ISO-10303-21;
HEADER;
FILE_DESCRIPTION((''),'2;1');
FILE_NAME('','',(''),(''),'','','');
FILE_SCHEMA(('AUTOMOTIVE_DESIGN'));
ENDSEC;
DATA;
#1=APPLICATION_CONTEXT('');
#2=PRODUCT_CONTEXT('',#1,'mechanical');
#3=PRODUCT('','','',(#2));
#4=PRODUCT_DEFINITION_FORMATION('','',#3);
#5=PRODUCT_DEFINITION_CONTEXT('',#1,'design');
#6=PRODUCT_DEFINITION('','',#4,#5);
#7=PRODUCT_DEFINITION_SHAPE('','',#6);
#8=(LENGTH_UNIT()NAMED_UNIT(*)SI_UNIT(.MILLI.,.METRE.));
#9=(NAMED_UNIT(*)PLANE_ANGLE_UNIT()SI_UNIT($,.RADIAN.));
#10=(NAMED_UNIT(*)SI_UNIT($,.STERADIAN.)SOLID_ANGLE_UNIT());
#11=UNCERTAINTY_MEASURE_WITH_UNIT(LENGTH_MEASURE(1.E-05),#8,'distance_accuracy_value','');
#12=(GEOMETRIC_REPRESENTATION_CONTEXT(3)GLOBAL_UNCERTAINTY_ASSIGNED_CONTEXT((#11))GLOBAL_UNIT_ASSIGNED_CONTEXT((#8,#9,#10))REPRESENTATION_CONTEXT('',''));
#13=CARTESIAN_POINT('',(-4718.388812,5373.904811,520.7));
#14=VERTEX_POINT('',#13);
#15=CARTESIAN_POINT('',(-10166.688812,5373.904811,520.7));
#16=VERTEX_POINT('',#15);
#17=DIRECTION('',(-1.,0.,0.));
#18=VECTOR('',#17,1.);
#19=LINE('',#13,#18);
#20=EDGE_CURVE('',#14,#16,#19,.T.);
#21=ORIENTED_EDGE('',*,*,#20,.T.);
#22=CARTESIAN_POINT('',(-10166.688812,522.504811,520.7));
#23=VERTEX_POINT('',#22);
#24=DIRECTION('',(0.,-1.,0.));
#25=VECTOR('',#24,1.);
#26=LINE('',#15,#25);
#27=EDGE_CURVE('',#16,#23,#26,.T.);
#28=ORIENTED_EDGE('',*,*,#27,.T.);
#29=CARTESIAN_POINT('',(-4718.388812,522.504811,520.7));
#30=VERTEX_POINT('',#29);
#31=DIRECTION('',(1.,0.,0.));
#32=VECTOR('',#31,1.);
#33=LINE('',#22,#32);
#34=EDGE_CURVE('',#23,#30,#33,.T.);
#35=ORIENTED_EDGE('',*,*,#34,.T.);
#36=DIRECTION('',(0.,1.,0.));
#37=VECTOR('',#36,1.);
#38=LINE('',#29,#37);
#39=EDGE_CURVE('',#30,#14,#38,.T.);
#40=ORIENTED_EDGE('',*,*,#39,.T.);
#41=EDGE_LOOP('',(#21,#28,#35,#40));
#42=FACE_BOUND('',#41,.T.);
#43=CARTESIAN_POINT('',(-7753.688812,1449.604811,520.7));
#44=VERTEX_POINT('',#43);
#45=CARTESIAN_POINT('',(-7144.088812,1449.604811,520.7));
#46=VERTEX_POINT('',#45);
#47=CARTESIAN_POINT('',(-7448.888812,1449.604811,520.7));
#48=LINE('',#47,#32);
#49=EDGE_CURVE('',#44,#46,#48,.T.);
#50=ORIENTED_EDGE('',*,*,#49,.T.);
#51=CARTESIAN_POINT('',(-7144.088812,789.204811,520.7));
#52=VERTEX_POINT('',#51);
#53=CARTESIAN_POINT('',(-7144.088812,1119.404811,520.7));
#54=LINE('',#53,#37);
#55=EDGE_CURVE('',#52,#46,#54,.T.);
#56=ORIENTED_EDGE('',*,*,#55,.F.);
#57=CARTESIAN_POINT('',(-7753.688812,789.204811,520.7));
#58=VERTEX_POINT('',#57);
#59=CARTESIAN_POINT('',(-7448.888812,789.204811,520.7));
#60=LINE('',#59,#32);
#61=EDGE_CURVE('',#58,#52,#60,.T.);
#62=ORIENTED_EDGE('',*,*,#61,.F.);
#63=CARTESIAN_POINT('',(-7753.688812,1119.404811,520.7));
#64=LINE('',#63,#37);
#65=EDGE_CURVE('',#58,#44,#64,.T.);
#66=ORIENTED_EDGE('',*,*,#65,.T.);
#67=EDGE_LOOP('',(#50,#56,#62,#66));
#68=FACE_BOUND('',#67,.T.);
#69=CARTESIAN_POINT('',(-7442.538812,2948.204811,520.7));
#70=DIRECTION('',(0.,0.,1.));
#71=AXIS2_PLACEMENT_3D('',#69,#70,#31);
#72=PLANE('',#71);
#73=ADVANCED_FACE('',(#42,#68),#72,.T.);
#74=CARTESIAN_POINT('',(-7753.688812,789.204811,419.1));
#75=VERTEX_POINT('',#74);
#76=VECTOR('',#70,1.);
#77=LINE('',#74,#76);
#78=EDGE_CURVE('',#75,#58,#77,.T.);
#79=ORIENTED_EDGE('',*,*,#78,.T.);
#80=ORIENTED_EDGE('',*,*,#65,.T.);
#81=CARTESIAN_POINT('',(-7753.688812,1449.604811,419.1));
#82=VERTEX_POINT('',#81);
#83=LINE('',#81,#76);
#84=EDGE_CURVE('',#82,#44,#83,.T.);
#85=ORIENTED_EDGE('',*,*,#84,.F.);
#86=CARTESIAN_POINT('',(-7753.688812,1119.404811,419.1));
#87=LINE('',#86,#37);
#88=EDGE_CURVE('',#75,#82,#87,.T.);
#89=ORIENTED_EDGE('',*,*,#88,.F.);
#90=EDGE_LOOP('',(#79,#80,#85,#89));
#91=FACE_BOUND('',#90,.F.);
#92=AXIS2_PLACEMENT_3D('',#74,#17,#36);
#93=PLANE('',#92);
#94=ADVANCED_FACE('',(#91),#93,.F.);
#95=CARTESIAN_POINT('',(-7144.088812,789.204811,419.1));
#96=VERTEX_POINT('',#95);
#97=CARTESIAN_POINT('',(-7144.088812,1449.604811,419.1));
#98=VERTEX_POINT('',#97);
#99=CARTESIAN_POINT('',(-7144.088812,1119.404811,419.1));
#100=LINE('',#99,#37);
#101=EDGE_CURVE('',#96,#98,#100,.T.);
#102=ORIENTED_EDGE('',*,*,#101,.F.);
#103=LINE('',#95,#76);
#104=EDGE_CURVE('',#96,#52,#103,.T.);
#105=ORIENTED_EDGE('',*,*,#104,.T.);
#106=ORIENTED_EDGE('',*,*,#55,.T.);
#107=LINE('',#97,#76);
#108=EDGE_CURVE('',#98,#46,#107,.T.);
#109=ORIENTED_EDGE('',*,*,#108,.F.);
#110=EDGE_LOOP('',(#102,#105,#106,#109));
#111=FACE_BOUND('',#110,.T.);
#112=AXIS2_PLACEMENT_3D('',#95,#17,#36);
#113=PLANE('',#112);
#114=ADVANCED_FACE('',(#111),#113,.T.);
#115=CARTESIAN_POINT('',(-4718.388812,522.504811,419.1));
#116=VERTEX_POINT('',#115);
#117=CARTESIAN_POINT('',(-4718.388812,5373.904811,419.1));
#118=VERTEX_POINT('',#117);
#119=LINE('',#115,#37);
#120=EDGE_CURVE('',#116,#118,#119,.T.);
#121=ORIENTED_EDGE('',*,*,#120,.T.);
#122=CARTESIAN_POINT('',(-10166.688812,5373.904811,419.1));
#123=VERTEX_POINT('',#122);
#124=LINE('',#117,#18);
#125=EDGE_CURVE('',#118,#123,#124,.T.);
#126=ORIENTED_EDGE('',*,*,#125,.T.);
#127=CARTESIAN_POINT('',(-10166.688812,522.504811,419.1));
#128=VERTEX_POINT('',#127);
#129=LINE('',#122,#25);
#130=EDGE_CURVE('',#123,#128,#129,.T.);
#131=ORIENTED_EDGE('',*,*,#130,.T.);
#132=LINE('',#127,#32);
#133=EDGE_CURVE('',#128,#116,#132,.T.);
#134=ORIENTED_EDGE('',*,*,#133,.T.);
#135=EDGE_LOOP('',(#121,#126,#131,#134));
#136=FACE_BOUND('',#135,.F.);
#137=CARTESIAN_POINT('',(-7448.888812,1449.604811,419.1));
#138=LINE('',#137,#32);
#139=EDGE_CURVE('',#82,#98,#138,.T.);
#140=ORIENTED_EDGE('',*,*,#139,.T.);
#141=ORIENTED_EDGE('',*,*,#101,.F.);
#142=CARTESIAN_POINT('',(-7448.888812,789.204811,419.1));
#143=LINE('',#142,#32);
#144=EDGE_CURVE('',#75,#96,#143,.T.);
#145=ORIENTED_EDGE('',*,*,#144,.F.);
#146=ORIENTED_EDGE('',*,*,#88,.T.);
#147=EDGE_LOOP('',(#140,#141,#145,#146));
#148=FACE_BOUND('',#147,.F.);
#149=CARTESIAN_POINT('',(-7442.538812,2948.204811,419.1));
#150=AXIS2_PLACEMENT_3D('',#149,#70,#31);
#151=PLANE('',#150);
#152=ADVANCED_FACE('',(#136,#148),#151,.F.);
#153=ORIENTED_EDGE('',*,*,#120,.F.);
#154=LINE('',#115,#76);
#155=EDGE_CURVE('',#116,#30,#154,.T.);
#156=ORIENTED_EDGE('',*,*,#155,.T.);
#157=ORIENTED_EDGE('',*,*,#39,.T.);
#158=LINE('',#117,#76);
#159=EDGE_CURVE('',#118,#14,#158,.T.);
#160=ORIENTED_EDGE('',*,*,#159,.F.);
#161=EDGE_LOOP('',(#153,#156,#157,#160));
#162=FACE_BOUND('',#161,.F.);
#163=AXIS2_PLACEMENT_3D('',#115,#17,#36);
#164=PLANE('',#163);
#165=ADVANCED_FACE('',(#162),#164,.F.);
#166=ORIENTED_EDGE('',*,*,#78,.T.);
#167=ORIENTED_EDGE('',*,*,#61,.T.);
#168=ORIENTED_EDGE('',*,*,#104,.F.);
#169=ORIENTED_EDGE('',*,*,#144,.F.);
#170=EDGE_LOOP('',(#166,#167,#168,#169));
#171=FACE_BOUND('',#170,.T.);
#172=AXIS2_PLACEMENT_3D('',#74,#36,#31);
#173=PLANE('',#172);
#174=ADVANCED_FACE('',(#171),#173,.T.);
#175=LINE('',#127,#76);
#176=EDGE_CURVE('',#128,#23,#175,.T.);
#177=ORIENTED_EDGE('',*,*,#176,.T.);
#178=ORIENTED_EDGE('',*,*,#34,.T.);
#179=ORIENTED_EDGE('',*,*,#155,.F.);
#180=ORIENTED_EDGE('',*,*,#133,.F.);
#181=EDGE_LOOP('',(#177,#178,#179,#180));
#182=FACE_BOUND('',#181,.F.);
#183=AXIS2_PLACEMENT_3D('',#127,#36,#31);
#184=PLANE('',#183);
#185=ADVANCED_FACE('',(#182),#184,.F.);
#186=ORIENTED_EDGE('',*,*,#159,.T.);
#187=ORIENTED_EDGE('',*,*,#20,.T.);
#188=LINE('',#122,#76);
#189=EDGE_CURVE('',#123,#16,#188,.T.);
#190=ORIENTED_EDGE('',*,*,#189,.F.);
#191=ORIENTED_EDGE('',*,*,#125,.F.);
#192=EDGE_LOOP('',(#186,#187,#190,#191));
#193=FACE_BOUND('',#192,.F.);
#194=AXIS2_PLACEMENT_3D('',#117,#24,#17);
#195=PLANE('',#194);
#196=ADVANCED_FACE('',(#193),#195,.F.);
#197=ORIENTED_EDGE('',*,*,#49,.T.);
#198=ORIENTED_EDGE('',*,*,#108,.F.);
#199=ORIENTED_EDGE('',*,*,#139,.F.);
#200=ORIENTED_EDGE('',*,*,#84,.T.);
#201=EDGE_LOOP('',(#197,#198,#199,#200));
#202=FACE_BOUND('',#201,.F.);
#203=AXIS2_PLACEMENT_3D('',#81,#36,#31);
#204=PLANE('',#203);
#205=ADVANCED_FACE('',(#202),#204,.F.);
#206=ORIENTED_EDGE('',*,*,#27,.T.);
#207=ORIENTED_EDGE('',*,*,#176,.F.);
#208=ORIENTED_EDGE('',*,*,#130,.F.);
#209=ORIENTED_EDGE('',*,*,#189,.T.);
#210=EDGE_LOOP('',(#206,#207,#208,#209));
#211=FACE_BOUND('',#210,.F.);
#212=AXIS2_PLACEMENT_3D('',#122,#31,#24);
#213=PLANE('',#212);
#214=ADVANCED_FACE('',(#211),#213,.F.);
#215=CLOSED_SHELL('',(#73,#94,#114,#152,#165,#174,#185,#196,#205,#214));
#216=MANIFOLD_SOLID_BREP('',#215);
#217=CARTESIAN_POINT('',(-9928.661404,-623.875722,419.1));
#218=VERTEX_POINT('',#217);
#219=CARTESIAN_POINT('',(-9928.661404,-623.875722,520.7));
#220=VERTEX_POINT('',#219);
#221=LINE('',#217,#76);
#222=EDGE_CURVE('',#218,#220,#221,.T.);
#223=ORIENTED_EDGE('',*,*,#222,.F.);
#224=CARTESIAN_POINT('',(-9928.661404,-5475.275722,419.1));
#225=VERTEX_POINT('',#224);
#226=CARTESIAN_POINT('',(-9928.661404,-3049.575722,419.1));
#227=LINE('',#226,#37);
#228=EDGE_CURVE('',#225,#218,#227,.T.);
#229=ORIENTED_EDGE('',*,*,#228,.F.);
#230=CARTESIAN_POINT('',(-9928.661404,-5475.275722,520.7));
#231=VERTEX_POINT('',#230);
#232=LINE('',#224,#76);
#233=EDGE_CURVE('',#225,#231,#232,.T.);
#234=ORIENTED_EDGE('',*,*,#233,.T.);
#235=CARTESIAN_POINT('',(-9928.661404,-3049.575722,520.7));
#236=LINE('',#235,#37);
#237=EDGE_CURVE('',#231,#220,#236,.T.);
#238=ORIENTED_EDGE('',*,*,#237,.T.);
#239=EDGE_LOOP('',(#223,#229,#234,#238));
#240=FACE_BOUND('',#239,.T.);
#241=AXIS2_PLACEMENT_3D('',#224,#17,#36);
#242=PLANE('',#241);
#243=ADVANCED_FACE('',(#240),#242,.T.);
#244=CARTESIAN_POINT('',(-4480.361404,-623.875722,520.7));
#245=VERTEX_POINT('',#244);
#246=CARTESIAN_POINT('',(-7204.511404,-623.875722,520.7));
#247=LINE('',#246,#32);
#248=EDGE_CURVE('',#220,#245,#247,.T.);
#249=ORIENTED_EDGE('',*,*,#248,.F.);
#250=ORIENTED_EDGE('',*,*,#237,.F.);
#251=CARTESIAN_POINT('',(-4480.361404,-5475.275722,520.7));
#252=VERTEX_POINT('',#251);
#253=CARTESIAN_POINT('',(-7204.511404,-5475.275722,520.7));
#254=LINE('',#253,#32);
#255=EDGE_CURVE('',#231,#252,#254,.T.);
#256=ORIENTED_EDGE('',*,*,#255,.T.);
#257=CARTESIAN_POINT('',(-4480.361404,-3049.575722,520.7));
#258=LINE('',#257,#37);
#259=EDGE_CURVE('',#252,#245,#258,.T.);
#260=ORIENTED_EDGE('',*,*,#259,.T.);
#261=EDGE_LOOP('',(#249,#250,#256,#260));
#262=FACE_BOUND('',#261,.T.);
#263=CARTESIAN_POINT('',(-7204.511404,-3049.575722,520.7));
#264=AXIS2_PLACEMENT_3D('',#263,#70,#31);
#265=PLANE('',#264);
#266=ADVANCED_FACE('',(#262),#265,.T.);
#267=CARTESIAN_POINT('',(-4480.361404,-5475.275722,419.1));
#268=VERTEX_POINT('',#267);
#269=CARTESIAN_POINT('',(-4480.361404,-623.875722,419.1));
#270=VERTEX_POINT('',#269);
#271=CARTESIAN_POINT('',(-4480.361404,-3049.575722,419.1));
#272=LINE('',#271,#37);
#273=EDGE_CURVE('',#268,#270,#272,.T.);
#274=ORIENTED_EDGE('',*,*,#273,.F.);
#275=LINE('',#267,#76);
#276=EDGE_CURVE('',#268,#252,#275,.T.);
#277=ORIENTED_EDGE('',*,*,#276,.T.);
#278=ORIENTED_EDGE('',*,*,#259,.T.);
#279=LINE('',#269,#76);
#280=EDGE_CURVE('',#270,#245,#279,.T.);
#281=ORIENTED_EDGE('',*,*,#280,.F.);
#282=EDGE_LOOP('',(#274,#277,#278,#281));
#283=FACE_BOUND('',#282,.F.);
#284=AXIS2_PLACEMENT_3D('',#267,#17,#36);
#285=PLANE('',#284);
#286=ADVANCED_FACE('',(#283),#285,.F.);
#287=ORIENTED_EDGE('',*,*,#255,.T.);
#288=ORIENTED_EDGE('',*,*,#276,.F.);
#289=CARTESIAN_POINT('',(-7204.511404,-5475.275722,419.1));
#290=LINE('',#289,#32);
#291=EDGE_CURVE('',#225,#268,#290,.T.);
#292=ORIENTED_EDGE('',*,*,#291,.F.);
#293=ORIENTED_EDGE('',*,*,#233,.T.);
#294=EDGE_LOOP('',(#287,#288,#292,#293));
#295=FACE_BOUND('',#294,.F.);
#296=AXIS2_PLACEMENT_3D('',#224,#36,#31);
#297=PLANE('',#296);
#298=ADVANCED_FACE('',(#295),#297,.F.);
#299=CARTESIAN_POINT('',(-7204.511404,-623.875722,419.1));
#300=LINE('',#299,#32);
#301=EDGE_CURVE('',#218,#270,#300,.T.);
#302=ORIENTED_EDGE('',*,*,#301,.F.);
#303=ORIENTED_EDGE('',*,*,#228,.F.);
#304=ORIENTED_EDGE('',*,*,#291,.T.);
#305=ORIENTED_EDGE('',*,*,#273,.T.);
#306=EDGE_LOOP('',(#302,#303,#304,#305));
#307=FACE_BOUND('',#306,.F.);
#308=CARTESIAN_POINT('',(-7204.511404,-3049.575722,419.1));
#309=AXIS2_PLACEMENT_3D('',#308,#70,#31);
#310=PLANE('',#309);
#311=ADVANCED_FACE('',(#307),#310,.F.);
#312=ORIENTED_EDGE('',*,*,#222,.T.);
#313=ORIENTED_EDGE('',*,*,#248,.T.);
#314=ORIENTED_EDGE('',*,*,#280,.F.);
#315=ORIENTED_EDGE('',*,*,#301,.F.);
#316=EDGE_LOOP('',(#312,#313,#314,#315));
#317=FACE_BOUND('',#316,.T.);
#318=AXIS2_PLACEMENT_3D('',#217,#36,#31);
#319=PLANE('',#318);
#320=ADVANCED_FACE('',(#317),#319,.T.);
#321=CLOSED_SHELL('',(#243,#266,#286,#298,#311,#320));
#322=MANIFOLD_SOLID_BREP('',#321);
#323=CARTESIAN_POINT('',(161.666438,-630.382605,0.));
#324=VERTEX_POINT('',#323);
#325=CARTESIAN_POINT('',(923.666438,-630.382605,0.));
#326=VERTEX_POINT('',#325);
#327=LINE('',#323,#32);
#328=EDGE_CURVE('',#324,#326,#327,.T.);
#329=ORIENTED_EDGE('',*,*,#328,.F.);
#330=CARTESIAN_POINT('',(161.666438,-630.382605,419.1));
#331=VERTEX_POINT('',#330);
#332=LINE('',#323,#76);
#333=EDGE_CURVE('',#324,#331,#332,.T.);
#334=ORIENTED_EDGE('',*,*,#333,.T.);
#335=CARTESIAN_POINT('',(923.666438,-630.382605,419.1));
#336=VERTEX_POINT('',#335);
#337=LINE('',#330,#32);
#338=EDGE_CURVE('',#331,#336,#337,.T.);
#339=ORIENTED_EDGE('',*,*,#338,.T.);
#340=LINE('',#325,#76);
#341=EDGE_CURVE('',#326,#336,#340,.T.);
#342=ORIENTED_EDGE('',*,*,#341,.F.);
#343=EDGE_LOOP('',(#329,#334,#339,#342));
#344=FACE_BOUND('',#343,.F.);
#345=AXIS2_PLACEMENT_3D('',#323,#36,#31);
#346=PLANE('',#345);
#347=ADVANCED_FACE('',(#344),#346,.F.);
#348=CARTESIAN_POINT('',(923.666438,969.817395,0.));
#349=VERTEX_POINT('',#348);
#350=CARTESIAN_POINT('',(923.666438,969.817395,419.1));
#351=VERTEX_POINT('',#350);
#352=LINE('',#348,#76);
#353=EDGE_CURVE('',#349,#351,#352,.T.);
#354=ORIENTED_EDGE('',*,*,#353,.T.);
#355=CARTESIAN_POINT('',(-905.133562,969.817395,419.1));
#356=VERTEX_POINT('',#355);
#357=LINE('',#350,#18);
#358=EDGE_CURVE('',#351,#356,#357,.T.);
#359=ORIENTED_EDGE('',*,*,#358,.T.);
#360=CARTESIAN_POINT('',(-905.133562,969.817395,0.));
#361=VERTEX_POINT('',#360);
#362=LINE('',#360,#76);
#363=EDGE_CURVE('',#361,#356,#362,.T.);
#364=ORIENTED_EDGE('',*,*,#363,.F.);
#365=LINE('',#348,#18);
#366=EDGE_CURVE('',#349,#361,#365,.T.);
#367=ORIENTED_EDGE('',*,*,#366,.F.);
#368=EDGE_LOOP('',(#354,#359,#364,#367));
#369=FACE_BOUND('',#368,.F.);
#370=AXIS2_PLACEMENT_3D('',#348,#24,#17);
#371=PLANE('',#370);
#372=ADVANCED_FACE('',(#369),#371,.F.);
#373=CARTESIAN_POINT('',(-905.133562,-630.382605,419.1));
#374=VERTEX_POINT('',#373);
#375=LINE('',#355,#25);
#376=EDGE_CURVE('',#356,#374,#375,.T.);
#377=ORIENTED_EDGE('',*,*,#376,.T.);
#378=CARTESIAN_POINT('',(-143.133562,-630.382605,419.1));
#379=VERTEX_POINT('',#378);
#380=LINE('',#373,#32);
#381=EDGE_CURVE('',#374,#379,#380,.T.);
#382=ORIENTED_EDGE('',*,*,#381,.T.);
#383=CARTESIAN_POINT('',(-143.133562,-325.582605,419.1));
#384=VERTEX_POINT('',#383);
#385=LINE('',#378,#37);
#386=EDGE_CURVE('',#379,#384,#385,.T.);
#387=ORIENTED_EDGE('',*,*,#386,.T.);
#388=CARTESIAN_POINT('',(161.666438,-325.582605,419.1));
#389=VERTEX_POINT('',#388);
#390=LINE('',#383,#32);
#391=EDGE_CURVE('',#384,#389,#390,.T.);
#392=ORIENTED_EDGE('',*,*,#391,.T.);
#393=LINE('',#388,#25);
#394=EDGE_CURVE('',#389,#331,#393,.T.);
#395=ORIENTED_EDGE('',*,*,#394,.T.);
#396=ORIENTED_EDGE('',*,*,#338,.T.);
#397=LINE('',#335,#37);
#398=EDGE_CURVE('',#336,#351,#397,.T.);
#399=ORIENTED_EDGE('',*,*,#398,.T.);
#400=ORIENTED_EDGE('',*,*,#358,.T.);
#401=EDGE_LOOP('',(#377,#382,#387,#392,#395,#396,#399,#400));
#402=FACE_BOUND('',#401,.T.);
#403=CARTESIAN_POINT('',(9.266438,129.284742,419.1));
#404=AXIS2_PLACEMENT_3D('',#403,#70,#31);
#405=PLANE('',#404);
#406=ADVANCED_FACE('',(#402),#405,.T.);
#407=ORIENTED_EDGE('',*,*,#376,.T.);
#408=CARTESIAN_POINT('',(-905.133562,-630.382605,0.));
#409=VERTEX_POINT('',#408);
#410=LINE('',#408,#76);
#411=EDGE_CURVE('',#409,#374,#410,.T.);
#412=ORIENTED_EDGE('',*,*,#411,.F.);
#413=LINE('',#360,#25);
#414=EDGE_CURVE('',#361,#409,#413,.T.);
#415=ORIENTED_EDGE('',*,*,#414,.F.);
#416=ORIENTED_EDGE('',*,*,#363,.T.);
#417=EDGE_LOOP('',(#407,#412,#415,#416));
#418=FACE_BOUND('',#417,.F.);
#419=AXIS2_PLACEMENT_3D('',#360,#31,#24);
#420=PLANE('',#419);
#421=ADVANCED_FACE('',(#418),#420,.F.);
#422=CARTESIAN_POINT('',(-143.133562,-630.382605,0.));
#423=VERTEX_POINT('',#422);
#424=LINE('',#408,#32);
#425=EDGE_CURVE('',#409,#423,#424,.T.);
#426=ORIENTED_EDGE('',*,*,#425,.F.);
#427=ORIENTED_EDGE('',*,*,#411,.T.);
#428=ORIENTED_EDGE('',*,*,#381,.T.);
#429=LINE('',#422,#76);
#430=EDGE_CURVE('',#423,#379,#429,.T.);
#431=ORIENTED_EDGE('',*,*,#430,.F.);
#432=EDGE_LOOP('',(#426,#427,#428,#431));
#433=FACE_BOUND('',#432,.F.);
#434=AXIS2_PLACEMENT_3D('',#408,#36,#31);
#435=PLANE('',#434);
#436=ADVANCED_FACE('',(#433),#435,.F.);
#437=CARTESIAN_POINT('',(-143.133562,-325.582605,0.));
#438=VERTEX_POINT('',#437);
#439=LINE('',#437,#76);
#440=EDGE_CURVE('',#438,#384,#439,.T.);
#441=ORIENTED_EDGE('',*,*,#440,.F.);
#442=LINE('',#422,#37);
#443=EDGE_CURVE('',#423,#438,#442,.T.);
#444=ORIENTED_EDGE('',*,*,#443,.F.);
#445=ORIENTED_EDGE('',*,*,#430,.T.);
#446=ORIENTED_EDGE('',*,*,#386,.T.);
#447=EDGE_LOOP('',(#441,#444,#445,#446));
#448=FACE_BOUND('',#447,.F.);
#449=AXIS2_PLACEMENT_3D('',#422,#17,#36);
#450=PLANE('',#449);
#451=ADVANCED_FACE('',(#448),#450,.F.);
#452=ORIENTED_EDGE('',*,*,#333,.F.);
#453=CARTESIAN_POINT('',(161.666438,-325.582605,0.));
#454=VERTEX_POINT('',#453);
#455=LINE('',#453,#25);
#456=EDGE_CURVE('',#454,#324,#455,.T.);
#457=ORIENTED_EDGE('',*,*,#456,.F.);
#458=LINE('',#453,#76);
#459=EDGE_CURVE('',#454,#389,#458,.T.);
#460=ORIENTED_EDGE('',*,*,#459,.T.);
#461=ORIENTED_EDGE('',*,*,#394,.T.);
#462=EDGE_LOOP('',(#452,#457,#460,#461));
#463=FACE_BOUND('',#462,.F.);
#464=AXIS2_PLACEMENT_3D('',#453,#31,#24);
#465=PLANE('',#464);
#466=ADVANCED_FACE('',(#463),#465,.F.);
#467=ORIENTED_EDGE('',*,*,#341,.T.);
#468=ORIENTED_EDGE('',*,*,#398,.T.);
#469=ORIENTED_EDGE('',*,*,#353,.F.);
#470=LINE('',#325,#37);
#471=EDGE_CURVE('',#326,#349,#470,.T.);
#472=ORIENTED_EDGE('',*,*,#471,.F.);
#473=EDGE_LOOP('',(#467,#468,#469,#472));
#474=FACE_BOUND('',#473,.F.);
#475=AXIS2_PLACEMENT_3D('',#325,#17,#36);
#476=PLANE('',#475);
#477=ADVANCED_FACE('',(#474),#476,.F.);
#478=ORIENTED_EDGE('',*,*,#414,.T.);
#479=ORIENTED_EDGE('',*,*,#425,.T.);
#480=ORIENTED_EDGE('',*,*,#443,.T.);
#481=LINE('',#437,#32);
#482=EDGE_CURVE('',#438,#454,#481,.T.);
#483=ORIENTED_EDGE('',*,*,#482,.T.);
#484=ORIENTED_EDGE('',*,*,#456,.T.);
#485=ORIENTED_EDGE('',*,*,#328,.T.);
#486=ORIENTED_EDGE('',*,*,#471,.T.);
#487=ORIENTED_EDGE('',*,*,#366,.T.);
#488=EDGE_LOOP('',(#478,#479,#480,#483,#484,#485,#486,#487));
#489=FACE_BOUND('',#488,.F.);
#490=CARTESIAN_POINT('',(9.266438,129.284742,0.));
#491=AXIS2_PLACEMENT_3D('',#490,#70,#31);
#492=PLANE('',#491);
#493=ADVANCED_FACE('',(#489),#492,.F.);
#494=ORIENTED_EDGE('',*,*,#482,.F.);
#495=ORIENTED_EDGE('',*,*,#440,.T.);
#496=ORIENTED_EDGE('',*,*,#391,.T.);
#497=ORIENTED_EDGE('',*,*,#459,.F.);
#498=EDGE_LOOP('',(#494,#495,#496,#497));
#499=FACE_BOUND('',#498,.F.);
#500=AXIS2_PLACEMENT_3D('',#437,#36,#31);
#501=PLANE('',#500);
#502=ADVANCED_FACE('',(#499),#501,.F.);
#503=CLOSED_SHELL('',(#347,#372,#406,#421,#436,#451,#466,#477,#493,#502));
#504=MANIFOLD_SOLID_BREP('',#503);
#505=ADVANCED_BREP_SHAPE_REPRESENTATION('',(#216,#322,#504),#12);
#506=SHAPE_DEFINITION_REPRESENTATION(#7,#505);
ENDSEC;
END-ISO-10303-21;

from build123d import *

# Parameters (mm, degrees)
F1_DEPTH = 419.1
F2_W     = 609.6
F2_H     = 660.4
F3_DEPTH = 101.6
F4_W     = 5448.3
F4_H     = 4851.4
F5_DEPTH = 101.6


with BuildPart() as f1:
    # F0 (on Top) → F1 (new body)
    with BuildSketch(Plane.XY):
        Polygon((923.666438, 969.817395), (-905.133562, 969.817395), (-905.133562, -630.382605), (-143.133562, -630.382605), (-143.133562, -325.582605), (161.666438, -325.582605), (161.666438, -630.382605), (923.666438, -630.382605), align=None)
    extrude(amount=F1_DEPTH)


with BuildPart() as f3:
    # F2 (on face) → F3 (new body)
    with BuildSketch(Plane.XY.offset(419.1)):
        Polygon((-7144.088812, 522.504811), (-4718.388812, 522.504811), (-4718.388812, 5373.904811), (-10166.688812, 5373.904811), (-10166.688812, 522.504811), (-7753.688812, 522.504811), align=None)
        with Locations((-7448.888812, 1119.404811)):
            Rectangle(F2_W, F2_H, mode=Mode.SUBTRACT)
    extrude(amount=F3_DEPTH)


with BuildPart() as f5:
    # F4 (on face) → F5 (new body)
    with BuildSketch(Plane.XY.offset(419.1)):
        with Locations((-7204.511404, -3049.575722)):
            Rectangle(F4_W, F4_H)
    extrude(amount=F5_DEPTH)


solid = Compound([f1.part, f3.part, f5.part])
